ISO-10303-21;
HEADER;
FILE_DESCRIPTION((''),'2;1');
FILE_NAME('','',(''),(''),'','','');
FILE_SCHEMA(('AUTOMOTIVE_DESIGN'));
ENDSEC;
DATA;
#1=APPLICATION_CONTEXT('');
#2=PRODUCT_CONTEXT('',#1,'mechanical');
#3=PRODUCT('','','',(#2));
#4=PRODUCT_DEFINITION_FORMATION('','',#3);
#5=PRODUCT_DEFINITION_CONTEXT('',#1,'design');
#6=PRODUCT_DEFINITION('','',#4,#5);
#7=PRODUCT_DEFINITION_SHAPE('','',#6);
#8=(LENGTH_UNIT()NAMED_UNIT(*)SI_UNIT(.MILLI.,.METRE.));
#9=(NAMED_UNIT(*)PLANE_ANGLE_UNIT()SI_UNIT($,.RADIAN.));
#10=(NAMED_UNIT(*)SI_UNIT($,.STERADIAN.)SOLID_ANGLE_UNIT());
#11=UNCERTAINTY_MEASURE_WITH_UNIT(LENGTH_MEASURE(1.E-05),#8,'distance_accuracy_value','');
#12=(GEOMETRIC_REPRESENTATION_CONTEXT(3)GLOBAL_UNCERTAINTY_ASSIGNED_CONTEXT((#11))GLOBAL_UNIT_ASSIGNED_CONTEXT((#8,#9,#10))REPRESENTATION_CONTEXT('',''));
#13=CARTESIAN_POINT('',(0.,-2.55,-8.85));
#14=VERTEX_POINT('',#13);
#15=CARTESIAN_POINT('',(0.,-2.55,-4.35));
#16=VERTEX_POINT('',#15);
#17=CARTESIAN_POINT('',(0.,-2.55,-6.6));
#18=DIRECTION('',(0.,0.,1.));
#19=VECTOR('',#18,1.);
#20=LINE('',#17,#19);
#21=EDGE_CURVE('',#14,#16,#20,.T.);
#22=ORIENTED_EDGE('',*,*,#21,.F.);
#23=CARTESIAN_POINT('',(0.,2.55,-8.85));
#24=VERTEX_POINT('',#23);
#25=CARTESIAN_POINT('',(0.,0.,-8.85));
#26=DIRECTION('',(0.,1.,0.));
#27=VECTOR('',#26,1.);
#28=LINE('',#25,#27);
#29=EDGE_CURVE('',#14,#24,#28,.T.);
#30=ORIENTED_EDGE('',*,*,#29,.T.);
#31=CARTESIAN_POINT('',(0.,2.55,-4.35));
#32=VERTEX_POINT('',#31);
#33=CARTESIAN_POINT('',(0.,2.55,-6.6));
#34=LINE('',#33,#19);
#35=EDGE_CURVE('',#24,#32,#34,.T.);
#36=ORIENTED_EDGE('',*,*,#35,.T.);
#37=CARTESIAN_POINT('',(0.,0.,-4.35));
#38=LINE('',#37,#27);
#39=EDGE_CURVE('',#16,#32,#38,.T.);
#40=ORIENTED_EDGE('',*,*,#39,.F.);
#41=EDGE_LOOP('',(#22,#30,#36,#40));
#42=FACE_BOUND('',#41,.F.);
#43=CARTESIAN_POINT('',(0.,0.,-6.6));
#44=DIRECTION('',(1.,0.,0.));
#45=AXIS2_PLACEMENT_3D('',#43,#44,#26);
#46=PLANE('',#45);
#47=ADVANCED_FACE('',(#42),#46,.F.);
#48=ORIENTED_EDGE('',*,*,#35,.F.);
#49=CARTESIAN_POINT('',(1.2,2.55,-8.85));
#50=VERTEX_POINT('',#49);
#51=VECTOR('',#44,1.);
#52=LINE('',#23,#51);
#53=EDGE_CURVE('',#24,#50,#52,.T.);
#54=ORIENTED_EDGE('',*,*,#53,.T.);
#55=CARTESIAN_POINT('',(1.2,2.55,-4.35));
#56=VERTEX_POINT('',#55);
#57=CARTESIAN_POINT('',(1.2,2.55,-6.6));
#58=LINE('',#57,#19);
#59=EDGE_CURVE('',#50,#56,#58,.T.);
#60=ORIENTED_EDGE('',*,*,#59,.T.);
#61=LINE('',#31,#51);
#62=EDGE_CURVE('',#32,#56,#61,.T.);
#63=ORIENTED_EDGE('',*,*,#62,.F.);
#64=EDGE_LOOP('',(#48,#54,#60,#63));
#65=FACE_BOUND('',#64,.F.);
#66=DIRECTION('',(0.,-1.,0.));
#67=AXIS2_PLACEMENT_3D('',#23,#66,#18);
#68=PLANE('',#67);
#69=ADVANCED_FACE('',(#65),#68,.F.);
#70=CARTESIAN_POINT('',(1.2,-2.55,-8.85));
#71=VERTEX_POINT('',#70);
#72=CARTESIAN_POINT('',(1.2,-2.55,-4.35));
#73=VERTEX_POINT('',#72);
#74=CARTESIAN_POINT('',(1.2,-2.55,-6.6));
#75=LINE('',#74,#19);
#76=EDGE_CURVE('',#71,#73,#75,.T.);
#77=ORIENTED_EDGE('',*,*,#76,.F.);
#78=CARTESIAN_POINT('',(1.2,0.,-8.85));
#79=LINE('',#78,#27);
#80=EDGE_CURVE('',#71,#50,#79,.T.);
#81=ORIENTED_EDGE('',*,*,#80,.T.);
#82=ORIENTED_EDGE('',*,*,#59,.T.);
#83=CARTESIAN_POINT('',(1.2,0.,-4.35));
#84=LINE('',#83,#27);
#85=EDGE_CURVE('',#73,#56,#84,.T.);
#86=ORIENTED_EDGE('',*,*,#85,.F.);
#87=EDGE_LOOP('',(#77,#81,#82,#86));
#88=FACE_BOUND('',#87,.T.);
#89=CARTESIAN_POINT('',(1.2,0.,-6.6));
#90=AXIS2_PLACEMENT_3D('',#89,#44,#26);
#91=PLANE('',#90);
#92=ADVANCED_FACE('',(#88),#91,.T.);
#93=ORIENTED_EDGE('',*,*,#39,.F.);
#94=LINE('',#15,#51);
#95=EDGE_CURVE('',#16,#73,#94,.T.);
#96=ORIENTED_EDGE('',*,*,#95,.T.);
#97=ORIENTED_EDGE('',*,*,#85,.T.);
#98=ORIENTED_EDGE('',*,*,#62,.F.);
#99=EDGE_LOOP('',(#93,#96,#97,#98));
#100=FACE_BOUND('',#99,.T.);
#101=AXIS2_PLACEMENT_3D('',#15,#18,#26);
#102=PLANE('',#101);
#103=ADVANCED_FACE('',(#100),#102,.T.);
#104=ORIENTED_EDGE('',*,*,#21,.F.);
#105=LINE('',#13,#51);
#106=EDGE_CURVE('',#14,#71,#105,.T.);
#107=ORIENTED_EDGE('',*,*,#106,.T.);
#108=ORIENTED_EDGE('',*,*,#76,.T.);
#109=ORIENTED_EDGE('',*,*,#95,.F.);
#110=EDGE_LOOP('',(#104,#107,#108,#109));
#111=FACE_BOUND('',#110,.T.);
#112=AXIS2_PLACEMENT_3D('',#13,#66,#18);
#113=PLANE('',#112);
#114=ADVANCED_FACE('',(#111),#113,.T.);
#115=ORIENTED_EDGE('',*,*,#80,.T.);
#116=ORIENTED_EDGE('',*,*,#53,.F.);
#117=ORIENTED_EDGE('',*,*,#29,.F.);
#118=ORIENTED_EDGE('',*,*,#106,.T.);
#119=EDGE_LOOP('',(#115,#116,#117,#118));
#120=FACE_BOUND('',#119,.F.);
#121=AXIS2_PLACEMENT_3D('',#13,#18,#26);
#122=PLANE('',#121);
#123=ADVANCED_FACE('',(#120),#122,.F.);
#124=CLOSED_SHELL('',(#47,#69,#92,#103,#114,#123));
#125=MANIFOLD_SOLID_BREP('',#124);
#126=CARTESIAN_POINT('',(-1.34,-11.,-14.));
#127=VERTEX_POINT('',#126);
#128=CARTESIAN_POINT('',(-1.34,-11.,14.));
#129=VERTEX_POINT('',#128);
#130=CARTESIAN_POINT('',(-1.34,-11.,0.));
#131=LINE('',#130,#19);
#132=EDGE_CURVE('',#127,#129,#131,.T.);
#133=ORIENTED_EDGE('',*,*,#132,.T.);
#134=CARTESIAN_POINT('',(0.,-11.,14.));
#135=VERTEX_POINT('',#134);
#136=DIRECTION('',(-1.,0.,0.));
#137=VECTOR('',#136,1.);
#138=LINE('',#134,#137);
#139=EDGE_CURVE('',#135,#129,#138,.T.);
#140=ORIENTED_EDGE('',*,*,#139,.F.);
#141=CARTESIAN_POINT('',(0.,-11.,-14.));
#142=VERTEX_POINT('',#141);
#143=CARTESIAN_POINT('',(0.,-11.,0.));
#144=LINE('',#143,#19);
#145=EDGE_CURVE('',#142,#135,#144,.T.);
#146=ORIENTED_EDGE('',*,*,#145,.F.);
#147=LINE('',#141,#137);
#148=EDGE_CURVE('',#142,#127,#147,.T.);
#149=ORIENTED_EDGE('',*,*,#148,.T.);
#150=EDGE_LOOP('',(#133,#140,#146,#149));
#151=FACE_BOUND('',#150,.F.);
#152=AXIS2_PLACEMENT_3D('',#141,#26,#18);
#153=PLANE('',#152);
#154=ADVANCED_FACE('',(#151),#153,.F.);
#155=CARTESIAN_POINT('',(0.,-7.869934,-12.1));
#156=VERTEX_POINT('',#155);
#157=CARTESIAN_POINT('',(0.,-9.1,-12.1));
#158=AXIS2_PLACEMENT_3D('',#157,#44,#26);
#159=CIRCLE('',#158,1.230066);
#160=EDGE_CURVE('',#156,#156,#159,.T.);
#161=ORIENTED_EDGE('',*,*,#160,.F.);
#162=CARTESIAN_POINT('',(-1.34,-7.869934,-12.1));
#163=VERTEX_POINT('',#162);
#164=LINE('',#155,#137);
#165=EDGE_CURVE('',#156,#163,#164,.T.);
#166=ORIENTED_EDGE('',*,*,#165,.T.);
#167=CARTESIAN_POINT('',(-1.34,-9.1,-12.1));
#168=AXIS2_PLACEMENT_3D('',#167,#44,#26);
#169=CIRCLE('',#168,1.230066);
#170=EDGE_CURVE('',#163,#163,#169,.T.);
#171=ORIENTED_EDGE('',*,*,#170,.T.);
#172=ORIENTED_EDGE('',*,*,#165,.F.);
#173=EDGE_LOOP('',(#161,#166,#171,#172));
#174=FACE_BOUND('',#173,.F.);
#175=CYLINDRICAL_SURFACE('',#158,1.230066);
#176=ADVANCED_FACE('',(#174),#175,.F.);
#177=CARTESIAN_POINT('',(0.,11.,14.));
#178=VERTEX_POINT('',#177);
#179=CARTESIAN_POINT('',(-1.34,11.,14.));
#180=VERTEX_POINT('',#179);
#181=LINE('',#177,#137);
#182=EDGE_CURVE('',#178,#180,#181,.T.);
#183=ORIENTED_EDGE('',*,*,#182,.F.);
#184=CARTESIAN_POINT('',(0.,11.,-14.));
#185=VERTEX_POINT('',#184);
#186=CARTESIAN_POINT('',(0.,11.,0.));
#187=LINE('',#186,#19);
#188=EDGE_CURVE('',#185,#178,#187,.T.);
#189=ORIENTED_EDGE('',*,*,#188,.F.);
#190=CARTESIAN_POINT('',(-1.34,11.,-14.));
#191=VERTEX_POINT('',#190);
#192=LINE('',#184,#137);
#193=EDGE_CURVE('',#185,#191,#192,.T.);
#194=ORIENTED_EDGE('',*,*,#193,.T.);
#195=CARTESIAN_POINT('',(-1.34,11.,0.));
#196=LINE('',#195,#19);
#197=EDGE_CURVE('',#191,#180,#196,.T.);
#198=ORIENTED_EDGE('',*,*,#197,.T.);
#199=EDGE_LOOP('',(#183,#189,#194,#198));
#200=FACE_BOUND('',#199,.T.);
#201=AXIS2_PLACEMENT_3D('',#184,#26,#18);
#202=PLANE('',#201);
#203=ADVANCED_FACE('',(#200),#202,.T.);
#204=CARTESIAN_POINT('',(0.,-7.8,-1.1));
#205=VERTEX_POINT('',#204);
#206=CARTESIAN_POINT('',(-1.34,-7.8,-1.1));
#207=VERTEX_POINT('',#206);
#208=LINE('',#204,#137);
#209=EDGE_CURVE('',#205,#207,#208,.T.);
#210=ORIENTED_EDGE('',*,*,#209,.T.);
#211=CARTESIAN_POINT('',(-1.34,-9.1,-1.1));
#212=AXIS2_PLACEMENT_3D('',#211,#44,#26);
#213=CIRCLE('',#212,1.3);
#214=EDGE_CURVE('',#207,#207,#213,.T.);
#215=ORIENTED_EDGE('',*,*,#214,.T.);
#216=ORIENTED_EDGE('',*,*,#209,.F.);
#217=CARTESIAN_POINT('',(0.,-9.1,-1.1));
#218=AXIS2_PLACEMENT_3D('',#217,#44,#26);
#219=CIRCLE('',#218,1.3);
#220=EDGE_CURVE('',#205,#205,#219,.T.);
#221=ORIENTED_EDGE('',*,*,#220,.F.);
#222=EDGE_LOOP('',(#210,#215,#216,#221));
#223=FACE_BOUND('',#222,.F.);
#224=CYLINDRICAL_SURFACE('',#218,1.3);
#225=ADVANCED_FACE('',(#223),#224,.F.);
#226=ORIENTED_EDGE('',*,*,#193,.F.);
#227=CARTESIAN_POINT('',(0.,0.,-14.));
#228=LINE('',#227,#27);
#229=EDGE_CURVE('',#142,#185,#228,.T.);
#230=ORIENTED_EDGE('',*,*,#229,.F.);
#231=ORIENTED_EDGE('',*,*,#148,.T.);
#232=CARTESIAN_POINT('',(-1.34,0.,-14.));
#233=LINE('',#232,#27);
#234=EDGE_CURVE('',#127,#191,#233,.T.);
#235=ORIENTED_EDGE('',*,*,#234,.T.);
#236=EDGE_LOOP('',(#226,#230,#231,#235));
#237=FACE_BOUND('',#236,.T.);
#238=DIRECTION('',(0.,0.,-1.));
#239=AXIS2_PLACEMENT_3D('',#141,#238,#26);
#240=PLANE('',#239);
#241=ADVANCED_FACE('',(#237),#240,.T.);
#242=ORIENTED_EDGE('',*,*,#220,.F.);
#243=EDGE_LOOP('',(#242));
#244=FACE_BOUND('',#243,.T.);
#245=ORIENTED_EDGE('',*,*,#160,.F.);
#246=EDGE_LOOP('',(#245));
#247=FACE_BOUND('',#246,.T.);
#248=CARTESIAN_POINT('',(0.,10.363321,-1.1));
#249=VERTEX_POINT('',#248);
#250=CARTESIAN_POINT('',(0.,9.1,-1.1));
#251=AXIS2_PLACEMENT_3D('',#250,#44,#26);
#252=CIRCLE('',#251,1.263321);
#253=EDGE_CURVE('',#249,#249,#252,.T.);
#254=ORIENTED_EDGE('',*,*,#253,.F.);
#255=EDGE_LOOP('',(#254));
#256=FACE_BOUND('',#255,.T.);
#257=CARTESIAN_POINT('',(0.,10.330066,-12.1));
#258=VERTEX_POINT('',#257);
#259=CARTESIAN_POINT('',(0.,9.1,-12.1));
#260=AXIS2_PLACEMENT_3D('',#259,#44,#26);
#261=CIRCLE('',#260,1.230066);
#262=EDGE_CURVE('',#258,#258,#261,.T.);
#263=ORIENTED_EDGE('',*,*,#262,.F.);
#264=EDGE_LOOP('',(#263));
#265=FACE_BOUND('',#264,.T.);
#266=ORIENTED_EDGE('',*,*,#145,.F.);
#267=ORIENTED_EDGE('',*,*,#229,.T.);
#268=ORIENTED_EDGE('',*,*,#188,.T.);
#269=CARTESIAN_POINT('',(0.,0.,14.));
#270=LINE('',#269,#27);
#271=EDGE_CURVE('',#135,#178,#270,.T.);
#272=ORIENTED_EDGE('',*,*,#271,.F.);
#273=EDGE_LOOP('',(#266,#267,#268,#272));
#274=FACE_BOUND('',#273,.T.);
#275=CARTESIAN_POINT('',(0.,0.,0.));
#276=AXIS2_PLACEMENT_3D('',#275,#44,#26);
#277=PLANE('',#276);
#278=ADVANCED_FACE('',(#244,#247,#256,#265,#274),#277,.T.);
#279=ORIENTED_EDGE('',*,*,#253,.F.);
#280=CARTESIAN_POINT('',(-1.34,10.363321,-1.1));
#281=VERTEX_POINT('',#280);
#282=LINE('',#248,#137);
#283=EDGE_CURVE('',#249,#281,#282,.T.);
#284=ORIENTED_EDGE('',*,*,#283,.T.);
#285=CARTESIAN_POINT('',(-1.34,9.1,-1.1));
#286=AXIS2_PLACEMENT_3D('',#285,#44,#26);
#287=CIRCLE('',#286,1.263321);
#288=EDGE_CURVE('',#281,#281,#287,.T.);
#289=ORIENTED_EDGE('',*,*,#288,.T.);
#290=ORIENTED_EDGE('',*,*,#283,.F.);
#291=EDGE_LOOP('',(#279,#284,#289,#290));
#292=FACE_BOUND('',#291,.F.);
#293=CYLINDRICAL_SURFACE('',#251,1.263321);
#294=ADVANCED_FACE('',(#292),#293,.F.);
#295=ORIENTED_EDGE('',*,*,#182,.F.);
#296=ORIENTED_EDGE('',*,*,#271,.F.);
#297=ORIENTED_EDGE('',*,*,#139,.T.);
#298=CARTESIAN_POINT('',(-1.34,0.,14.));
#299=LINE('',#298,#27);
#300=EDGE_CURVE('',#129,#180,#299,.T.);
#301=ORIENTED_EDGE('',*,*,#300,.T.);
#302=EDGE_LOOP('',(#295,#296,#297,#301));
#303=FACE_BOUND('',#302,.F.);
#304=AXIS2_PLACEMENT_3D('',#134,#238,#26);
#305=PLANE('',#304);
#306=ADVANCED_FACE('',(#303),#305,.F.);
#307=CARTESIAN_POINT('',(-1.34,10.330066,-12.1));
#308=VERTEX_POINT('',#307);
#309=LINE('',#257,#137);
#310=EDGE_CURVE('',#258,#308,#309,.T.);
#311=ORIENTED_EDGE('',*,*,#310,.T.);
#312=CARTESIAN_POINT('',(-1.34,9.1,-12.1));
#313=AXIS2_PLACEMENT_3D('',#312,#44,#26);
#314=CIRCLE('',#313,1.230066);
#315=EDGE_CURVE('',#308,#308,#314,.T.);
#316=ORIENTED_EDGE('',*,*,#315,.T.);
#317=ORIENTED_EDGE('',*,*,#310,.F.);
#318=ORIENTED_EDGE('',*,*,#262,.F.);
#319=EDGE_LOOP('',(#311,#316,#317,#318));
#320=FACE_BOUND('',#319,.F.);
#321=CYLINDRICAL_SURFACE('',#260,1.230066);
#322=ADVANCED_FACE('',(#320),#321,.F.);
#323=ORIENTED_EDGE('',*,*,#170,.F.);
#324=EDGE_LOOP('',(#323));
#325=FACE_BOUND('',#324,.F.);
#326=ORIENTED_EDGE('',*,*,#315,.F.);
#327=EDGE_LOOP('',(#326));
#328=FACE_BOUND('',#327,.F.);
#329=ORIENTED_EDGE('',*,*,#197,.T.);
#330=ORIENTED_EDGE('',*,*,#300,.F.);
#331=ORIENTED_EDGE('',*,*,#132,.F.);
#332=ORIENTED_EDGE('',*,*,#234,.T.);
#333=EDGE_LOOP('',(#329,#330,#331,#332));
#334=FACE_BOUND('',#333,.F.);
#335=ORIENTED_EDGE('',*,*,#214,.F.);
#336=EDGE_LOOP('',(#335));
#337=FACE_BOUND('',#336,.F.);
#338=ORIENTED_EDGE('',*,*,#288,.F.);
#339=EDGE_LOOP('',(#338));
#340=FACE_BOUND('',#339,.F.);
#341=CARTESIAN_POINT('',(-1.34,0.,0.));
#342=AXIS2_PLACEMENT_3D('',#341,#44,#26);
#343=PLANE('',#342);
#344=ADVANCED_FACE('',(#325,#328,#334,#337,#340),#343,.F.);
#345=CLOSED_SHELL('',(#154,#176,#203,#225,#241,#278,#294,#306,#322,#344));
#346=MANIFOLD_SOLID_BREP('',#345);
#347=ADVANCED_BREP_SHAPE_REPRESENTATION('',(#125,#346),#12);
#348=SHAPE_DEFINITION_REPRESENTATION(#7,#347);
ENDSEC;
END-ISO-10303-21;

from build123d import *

# Parameters (mm, degrees)
F0_W     = 22
F0_H     = 28
F0_R     = 1.230066
F0_R_2   = 1.3
F0_W_2   = 5.1
F0_H_2   = 4.5
F0_R_3   = 1.263321
F1_DEPTH = 1.34
F2_DEPTH = 1.2


with BuildPart() as f1:
    # F0 (on Right) → F1 (new body)
    with BuildSketch(Plane.YZ):
        Rectangle(F0_W, F0_H)
        with Locations((-9.1, -12.1)):
            Circle(F0_R, mode=Mode.SUBTRACT)
        with Locations((-9.1, -1.1)):
            Circle(F0_R_2, mode=Mode.SUBTRACT)
        with Locations((9.1, -12.1)):
            Circle(F0_R, mode=Mode.SUBTRACT)
        with Locations((0, -6.6)):
            Rectangle(F0_W_2, F0_H_2, mode=Mode.SUBTRACT)
        with Locations((9.1, -1.1)):
            Circle(F0_R_3, mode=Mode.SUBTRACT)
        with Locations((0, -6.6)):
            Rectangle(F0_W_2, F0_H_2)
    extrude(amount=-F1_DEPTH)


with BuildPart() as f2:
    # F0 (on Right) → F2 (new body)
    with BuildSketch(Plane.YZ):
        with Locations((0, -6.6)):
            Rectangle(F0_W_2, F0_H_2)
    extrude(amount=F2_DEPTH)


solid = Compound([f1.part, f2.part])
